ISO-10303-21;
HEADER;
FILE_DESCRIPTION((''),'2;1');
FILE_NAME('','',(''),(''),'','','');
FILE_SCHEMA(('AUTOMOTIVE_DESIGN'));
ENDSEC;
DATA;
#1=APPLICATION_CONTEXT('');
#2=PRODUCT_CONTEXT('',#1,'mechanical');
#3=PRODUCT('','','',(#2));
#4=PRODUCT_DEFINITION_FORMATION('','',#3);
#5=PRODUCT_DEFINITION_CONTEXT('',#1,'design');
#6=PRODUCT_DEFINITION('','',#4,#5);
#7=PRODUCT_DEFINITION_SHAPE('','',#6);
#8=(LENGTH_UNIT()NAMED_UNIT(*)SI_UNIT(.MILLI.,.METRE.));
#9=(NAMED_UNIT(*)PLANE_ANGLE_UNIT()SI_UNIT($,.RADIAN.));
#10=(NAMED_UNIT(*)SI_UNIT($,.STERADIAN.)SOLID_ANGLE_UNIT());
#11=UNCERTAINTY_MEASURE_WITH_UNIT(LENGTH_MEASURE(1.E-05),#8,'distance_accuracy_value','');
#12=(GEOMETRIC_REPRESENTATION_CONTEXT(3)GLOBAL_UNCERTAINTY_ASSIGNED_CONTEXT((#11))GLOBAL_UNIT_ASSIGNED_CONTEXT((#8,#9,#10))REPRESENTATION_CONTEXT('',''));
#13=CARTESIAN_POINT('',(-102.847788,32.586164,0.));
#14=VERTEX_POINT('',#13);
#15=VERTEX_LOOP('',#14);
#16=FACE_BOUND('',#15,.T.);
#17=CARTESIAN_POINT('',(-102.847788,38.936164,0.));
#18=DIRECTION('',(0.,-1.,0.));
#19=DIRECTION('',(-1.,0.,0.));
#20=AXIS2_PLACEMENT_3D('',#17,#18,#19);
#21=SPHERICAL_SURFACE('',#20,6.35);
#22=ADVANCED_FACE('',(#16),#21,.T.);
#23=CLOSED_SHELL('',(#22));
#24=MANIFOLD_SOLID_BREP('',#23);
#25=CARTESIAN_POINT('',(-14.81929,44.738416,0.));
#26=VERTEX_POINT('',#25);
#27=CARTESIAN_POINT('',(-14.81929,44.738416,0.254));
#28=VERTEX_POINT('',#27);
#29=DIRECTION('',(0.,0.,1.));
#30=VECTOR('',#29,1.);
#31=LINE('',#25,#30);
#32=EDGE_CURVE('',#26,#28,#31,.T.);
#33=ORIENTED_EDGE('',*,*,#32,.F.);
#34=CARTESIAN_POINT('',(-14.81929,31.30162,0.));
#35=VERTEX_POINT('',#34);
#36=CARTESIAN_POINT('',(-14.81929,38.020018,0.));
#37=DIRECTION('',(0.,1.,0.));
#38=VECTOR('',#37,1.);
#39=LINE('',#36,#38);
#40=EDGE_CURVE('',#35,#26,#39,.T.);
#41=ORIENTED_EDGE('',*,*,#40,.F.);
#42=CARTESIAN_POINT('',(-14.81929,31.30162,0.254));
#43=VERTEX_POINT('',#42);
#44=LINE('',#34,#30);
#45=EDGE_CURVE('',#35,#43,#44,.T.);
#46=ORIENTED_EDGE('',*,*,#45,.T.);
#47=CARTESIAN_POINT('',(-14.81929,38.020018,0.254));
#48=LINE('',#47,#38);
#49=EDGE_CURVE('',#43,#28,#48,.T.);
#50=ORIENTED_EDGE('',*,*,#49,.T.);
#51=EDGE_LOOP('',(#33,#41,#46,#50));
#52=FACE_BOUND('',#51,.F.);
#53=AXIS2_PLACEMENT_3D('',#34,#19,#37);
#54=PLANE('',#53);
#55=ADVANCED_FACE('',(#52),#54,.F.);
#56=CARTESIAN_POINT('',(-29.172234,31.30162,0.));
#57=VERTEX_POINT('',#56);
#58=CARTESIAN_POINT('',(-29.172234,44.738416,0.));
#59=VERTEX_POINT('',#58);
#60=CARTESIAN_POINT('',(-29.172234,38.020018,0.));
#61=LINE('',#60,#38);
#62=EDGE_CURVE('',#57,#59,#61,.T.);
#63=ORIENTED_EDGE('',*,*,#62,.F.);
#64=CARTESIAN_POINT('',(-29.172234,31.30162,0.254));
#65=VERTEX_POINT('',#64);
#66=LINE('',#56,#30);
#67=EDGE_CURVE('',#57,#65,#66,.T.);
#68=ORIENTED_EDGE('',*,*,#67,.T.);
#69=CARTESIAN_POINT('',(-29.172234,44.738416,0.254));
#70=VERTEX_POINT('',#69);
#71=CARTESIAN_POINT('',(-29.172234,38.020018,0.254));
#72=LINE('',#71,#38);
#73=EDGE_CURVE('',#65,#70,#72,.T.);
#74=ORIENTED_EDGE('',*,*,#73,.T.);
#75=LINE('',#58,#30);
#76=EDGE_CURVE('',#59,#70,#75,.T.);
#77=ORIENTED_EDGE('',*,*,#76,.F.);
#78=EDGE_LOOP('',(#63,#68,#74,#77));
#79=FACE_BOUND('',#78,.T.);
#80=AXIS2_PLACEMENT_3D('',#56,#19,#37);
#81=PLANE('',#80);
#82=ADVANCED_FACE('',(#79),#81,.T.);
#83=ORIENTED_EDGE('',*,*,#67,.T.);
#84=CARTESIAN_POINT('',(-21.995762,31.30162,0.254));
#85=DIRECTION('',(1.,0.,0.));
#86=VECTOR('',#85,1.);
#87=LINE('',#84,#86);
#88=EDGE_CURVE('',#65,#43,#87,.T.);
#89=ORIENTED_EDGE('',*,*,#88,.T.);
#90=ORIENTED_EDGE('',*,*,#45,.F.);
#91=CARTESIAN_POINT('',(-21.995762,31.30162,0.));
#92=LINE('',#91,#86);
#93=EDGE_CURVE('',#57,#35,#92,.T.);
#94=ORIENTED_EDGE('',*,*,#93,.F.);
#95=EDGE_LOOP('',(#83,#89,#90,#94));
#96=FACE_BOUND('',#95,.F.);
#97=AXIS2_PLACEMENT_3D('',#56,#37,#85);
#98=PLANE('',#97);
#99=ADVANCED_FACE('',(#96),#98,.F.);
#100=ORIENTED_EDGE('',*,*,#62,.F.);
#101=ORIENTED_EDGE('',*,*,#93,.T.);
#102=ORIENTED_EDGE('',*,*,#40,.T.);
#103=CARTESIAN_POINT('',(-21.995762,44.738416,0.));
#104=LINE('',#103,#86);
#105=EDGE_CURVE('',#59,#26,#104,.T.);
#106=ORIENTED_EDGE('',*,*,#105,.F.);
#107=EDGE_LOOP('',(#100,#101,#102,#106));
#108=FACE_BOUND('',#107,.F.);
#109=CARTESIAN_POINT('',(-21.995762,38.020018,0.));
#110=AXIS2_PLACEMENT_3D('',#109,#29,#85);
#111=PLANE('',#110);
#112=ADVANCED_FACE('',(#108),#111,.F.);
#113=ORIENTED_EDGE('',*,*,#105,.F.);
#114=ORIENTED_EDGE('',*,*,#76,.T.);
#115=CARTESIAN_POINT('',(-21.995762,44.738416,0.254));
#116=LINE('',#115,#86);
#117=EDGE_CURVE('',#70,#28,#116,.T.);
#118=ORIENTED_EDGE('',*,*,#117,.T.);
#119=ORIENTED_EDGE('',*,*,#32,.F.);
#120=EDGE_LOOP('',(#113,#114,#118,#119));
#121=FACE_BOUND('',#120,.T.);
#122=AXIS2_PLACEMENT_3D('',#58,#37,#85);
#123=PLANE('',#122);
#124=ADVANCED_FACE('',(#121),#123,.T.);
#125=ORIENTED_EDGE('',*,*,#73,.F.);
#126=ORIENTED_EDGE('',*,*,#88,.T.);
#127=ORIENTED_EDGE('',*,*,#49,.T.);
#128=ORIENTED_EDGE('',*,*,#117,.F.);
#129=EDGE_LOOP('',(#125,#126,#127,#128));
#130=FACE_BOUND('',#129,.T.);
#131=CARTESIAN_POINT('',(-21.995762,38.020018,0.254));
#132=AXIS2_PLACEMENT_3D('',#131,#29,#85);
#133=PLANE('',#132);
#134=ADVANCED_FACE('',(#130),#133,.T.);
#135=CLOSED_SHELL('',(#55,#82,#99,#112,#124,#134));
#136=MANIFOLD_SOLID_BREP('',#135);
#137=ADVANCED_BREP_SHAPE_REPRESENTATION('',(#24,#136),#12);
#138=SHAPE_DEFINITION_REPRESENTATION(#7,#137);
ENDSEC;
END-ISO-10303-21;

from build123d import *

# Parameters (mm, degrees)
F2_W     = 14.352943
F2_H     = 13.436795
F3_DEPTH = 0.254


with BuildPart() as f1:
    # F0 (on Top) → F1 (revolve)
    with BuildSketch(Plane.XY):
        with BuildLine():
            Line((-102.847788, 32.586164), (-102.847788, 45.286164))
            ThreePointArc((-102.847788, 45.286164), (-109.197788, 38.936164), (-102.847788, 32.586164))
        make_face()
    revolve(axis=Axis((-102.847788, 38.936164, 0), (0, -1, 0)))


with BuildPart() as f3:
    # F2 (on Top) → F3 (new body)
    with BuildSketch(Plane.XY):
        with Locations((-21.995762, 38.020018)):
            Rectangle(F2_W, F2_H)
    extrude(amount=F3_DEPTH)


solid = Compound([f1.part, f3.part])
